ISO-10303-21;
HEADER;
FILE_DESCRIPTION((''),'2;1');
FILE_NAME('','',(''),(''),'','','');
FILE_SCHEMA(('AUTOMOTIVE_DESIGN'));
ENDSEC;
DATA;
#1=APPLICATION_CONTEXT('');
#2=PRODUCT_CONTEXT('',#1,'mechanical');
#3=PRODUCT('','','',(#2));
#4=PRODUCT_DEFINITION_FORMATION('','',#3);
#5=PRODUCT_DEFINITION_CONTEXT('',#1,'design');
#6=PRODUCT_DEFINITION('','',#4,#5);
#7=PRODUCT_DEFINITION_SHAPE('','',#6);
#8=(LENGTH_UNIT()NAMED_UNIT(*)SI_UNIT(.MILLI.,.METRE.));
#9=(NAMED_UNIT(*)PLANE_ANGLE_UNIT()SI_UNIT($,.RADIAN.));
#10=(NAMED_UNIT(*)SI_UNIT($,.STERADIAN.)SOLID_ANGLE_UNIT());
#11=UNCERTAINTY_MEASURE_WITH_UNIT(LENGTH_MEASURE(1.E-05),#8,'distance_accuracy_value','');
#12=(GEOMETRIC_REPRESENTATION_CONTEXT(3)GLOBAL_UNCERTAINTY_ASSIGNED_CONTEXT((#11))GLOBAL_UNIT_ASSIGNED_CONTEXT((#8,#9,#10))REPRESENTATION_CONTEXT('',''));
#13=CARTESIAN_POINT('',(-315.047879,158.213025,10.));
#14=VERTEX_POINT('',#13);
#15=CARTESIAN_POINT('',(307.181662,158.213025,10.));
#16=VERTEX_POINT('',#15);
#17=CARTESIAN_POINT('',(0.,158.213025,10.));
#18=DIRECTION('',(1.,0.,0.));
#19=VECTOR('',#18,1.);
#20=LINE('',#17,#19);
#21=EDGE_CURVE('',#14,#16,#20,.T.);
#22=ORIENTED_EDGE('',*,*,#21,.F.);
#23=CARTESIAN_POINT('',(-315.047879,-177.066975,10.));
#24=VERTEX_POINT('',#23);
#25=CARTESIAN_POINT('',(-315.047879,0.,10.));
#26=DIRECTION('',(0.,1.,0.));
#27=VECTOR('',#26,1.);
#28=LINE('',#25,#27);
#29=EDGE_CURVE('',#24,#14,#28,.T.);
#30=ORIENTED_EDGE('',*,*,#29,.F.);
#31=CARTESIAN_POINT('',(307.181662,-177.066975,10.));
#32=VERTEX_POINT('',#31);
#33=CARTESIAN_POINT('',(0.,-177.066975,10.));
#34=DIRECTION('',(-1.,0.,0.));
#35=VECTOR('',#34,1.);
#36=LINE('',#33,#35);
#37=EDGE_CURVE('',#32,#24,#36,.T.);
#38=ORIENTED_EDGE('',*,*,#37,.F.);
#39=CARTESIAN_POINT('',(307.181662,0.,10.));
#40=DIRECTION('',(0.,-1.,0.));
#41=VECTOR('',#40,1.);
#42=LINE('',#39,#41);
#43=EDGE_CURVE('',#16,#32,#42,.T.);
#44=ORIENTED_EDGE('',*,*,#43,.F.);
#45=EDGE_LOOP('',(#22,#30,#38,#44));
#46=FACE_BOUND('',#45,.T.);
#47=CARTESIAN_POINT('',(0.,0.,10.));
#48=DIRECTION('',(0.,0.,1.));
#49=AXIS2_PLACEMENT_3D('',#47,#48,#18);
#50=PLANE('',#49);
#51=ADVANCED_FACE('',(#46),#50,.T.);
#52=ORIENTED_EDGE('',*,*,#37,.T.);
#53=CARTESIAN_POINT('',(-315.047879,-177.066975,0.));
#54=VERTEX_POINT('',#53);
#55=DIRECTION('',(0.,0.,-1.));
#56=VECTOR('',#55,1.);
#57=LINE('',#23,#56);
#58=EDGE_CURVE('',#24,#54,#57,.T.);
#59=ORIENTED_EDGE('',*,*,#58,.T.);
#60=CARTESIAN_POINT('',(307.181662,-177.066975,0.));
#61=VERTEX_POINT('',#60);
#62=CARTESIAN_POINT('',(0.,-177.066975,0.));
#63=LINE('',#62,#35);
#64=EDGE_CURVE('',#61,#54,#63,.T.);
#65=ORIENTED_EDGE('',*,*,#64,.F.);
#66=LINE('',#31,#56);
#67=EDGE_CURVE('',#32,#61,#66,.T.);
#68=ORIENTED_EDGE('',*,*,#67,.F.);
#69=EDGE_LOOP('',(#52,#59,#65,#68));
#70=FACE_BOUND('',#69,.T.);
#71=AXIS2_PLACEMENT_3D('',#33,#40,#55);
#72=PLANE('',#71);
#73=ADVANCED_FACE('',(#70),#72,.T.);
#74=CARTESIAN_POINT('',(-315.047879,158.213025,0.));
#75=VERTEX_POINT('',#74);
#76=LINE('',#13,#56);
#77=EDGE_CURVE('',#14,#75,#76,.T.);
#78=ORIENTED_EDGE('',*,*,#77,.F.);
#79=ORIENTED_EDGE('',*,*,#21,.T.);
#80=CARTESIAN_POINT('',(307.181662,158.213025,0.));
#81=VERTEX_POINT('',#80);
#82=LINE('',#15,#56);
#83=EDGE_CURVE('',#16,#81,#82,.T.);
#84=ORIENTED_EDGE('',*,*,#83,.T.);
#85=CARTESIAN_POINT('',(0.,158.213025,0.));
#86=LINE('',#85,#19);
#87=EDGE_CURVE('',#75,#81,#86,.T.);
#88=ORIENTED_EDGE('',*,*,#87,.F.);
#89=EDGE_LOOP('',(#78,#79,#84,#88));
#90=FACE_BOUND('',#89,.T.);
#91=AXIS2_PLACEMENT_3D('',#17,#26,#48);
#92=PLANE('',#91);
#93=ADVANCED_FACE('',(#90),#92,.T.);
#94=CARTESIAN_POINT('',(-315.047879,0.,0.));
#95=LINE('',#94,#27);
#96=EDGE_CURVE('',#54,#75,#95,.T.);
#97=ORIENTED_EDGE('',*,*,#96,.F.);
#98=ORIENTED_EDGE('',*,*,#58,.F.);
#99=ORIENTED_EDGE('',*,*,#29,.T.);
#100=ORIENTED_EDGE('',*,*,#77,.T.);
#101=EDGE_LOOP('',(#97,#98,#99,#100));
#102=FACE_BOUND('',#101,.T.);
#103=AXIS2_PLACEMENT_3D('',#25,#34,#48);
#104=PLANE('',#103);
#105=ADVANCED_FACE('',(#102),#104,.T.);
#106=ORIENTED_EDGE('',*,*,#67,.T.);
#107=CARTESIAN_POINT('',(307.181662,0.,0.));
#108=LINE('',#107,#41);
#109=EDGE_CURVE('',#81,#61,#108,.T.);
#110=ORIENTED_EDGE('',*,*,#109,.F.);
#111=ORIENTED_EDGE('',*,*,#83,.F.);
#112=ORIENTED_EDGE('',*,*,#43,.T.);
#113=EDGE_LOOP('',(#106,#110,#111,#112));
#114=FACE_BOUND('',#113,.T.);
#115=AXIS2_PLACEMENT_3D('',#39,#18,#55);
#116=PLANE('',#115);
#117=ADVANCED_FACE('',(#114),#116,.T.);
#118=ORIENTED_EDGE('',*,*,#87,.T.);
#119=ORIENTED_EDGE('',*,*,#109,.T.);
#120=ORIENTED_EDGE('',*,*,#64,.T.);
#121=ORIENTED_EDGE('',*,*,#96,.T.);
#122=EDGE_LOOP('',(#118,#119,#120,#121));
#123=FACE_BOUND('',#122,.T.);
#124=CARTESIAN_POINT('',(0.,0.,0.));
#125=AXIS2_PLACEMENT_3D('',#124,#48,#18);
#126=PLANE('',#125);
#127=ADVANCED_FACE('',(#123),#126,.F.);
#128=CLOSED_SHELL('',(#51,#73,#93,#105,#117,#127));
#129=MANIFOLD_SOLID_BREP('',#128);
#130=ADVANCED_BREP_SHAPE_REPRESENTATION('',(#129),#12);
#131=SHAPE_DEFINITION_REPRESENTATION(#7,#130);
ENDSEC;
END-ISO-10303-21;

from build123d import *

# Parameters (mm, degrees)
SKETCH1_W           = 228.948077088
SKETCH1_H           = 335.28
SKETCH1_W_2         = 80.13086011
SKETCH1_W_3         = 313.150604536
BOSS_EXTRUDE1_DEPTH = 10


with BuildPart() as part:
    # Sketch1 → Boss-Extrude1 (new body)
    with BuildSketch(Plane.XY):
        with Locations((-200.573840909, -9.426974547)):
            Rectangle(SKETCH1_W, SKETCH1_H)
        with Locations((-46.03437231, -9.426974547)):
            Rectangle(SKETCH1_W_2, SKETCH1_H)
        with Locations((150.606360013, -9.426974547)):
            Rectangle(SKETCH1_W_3, SKETCH1_H)
    extrude(amount=BOSS_EXTRUDE1_DEPTH)


solid = part.part
